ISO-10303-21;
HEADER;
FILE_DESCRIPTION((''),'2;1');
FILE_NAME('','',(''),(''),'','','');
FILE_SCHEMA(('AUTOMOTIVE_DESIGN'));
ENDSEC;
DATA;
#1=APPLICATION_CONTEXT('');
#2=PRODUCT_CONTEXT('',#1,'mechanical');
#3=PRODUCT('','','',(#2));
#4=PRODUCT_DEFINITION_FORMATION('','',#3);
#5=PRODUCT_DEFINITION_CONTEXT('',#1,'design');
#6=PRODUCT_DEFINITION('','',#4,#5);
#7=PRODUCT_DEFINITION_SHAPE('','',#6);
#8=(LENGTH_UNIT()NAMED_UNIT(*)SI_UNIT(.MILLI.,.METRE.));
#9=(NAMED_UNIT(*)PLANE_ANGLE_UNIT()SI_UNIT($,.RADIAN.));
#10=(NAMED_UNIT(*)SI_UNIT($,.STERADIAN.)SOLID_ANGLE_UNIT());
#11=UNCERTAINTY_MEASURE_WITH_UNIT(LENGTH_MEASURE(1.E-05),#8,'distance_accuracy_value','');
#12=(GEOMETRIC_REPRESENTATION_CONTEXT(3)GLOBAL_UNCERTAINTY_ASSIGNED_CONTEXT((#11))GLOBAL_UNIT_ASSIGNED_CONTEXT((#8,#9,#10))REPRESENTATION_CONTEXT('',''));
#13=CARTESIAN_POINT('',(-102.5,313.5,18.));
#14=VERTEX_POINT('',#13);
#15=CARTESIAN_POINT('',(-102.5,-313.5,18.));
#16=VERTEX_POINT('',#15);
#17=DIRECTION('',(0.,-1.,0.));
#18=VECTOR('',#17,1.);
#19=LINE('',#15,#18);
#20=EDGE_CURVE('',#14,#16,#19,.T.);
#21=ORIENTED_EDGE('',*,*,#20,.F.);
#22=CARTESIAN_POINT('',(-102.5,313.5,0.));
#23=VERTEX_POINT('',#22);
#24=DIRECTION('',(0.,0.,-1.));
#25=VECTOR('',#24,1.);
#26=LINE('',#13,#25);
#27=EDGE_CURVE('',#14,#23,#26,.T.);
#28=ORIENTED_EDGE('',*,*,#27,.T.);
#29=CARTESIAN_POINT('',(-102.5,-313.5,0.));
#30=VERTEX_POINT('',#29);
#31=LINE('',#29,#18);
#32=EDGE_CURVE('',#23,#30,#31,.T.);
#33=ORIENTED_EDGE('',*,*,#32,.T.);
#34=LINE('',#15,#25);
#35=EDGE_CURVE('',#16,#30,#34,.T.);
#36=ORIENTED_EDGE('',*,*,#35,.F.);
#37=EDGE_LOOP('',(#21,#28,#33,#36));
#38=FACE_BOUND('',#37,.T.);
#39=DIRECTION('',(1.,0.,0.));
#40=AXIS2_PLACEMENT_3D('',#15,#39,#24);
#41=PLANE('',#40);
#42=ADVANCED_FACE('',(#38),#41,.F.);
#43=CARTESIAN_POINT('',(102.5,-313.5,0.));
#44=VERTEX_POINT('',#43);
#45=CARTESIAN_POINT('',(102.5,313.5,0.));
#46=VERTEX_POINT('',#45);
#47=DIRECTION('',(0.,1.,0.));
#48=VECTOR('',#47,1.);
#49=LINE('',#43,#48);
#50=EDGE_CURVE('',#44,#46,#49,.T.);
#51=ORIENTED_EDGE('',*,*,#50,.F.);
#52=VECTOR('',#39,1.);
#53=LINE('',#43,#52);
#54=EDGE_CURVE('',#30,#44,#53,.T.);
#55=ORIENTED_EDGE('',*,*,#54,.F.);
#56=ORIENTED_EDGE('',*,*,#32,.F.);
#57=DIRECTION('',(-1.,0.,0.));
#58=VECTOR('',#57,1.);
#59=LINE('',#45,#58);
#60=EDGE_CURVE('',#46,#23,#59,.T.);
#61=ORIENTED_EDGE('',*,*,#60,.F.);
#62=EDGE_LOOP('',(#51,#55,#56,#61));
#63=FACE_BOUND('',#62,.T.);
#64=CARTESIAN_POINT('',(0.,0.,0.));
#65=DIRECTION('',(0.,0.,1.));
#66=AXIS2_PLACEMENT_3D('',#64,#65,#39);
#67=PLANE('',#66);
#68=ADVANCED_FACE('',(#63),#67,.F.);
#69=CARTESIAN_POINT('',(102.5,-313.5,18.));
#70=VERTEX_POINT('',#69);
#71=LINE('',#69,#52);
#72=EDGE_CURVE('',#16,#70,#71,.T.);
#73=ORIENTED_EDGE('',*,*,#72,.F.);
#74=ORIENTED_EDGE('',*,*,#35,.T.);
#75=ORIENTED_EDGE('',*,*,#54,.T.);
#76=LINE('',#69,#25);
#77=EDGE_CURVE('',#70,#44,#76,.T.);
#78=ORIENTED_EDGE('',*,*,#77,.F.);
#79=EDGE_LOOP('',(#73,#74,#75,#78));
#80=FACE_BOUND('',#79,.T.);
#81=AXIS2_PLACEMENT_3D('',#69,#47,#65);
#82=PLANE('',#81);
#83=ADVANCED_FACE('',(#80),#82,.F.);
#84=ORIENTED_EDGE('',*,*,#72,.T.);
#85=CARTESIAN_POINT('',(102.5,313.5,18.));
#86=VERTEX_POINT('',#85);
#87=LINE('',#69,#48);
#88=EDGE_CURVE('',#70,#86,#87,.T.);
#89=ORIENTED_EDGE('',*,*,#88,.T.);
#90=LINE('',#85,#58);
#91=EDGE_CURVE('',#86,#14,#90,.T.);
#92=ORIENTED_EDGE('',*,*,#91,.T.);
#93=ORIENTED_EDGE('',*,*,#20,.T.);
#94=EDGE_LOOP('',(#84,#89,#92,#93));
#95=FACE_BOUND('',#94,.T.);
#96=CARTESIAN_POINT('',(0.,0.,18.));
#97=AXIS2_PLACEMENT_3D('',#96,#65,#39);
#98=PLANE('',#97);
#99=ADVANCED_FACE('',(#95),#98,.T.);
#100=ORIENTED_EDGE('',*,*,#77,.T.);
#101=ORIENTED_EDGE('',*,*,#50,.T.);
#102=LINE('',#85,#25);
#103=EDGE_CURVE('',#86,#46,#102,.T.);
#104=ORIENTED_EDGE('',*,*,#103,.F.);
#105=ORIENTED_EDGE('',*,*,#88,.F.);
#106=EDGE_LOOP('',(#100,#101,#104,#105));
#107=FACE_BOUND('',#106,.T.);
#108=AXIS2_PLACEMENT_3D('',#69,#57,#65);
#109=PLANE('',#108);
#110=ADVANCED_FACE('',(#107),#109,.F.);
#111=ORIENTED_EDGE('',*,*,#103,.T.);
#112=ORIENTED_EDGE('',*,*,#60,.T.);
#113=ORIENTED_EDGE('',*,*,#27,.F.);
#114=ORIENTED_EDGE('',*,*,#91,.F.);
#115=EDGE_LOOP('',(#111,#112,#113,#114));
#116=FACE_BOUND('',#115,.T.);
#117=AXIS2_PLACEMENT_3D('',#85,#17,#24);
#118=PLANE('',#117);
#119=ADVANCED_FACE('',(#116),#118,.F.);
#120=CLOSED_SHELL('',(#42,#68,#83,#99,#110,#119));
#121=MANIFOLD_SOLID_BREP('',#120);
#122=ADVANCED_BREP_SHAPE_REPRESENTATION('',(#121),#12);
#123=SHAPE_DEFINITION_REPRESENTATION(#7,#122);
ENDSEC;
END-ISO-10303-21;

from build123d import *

# Parameters (mm, degrees)
SKETCH1_W           = 205
SKETCH1_H           = 627
BOSS_EXTRUDE1_DEPTH = 18


with BuildPart() as part:
    # Sketch1 → Boss-Extrude1 (new body)
    with BuildSketch(Plane.XY):
        Rectangle(SKETCH1_W, SKETCH1_H)
    extrude(amount=BOSS_EXTRUDE1_DEPTH)


solid = part.part
